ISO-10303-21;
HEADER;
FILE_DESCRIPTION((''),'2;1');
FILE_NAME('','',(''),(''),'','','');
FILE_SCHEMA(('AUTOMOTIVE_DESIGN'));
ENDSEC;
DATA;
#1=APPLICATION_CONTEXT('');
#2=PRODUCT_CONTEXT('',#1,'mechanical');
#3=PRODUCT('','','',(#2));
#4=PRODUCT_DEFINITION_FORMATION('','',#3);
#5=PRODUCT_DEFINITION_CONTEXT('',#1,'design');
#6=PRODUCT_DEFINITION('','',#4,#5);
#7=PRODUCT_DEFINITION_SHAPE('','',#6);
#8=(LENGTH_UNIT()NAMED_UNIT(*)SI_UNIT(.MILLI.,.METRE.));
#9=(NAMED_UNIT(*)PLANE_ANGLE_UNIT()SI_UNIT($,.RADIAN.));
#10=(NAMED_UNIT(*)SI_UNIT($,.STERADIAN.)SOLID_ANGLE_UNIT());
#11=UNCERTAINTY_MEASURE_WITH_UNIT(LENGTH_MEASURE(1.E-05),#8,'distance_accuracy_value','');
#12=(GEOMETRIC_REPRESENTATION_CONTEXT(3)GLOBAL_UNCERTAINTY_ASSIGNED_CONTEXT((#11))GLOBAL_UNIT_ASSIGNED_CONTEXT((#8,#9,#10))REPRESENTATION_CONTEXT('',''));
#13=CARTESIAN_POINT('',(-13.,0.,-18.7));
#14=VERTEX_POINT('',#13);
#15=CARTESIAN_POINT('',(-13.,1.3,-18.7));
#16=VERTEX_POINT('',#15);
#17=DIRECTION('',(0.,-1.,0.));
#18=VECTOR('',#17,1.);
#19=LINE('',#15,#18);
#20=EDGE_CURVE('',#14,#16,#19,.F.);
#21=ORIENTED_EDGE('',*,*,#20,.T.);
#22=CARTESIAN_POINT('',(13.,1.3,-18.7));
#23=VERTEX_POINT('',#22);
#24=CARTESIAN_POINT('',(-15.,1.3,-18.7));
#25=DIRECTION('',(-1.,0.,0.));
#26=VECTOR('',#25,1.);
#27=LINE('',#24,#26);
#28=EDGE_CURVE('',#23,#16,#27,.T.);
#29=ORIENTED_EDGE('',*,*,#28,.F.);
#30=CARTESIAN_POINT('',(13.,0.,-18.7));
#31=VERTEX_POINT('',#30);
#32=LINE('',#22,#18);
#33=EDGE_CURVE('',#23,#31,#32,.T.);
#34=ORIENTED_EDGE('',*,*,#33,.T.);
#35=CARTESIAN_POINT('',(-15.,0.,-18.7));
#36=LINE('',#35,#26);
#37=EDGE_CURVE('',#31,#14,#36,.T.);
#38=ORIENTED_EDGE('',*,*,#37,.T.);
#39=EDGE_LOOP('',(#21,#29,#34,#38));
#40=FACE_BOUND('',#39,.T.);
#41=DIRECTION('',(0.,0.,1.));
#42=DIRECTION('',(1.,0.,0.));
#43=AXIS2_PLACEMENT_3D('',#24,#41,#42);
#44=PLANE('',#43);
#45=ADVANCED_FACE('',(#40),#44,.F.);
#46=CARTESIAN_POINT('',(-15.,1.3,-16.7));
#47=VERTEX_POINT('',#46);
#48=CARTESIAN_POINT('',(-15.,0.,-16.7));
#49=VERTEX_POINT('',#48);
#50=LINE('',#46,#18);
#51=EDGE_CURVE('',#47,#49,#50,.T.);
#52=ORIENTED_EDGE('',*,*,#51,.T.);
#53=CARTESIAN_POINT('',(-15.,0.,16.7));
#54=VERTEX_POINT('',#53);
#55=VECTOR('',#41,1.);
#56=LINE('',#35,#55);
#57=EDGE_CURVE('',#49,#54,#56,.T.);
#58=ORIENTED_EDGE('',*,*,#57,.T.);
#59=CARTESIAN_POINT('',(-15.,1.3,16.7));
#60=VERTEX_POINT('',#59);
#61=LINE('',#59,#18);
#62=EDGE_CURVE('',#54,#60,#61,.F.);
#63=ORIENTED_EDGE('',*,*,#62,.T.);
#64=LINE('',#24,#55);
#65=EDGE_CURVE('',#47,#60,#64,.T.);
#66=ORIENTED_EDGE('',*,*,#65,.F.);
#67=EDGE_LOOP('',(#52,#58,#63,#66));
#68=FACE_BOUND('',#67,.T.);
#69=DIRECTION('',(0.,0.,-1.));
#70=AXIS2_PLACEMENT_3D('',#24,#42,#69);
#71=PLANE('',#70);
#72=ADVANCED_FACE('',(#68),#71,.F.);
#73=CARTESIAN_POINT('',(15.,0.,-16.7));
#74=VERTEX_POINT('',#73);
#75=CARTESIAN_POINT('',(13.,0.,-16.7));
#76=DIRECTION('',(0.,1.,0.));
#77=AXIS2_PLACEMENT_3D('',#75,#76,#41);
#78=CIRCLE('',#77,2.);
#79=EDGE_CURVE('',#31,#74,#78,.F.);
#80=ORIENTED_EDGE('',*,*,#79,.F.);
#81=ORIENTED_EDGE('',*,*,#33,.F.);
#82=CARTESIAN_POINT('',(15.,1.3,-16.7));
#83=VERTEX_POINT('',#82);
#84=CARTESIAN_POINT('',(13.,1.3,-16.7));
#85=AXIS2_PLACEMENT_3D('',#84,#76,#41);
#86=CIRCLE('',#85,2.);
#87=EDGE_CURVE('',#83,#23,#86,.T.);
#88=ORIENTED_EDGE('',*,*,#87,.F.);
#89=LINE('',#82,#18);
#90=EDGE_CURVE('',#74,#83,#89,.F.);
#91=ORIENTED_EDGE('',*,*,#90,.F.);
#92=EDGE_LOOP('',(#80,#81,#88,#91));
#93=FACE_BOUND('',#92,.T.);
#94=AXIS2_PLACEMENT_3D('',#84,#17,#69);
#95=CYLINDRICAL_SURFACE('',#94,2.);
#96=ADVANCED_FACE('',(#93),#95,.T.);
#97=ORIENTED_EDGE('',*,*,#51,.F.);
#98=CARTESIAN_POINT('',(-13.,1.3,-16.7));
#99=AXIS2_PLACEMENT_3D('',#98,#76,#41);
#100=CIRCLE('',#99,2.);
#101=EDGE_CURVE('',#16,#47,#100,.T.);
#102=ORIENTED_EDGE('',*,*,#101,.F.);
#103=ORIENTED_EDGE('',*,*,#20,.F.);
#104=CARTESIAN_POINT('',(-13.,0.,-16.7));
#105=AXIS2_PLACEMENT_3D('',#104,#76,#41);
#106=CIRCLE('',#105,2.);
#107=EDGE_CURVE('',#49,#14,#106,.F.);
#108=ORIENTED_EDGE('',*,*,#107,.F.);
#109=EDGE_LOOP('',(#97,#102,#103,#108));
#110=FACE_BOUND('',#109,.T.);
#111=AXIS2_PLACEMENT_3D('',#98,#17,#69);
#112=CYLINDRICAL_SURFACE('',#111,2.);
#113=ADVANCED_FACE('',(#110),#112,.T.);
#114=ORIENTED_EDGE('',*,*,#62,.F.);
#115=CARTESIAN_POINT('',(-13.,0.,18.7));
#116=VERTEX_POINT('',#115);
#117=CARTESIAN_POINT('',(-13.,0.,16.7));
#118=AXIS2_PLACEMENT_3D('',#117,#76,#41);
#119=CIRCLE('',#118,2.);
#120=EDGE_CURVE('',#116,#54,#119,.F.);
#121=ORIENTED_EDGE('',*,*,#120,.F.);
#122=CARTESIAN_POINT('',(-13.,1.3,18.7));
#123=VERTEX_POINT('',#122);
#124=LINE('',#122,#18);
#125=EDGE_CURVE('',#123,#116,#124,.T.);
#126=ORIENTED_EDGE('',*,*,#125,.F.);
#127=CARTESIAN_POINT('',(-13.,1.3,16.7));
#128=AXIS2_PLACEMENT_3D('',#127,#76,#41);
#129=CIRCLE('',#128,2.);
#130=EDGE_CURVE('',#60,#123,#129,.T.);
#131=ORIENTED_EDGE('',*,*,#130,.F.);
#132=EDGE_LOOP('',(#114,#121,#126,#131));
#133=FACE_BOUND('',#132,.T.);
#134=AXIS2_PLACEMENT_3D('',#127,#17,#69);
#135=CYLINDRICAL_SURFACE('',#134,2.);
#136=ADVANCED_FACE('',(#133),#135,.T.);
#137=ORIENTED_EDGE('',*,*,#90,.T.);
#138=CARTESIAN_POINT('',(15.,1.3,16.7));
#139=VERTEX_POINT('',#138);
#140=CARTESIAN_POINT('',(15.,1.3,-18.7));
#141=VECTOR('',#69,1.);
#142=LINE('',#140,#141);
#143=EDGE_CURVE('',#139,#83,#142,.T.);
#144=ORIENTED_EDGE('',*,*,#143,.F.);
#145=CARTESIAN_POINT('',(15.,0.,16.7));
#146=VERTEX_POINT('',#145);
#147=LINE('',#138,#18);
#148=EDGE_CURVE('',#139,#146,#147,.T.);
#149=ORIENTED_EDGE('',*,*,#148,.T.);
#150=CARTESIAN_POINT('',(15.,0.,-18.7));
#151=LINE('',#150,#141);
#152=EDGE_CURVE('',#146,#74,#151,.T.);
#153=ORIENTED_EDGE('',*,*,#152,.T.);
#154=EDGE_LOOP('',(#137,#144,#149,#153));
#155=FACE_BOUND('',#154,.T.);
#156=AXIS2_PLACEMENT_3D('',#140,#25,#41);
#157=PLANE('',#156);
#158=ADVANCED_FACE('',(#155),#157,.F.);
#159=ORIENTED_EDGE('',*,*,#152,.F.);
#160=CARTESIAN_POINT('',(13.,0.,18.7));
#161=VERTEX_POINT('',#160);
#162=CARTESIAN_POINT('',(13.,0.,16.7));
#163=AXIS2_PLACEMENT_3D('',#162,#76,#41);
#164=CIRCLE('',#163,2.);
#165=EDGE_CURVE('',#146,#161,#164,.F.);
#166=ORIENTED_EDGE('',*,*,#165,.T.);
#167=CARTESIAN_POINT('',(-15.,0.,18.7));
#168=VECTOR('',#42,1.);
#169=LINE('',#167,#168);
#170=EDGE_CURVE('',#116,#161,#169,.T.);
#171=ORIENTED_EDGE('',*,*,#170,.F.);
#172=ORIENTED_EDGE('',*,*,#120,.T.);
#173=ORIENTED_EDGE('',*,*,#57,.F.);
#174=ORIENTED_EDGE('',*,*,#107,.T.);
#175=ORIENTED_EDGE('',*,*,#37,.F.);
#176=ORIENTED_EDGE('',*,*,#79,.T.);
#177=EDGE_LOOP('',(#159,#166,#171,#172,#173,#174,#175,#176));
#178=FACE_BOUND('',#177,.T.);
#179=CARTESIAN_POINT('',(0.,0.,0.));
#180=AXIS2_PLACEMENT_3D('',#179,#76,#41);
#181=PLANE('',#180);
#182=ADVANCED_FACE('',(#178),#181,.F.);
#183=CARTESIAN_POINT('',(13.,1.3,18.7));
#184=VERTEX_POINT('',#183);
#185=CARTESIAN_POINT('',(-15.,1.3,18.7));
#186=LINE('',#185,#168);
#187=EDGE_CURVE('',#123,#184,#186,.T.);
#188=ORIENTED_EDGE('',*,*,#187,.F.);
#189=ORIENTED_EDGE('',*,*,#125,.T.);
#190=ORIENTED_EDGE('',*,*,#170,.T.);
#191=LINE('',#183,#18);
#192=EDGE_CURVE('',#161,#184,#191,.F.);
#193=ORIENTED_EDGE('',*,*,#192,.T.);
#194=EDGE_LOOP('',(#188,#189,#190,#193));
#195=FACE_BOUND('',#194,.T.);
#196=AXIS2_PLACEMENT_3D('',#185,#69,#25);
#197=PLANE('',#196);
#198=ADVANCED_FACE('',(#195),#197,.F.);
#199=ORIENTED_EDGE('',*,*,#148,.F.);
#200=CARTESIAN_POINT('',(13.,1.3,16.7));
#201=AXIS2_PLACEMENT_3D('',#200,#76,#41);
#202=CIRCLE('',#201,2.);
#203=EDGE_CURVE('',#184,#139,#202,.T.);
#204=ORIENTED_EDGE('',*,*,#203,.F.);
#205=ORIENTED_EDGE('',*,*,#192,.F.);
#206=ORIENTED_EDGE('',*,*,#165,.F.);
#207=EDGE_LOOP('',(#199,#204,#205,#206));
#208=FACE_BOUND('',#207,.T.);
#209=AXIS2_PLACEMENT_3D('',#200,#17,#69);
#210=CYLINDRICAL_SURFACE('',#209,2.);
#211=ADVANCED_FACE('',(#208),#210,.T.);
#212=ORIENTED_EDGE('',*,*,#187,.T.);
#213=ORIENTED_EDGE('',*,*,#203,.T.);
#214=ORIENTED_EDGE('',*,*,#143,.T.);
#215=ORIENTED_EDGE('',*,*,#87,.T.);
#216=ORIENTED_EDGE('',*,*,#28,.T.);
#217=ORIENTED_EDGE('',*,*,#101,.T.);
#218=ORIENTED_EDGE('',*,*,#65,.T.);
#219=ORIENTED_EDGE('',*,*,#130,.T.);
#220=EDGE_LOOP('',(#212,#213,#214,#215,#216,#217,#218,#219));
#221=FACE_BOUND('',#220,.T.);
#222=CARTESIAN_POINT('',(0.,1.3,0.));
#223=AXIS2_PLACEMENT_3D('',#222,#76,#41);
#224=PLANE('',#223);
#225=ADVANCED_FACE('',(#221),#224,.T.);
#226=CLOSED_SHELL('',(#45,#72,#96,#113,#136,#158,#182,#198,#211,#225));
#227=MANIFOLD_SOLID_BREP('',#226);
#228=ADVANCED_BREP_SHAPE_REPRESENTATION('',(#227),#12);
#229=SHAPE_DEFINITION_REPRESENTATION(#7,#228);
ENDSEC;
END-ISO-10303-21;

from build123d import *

# Parameters (mm, degrees)
SKETCH_1_W      = 30
SKETCH_1_H      = 37.4
EXTRUDE_1_DEPTH = 1.3
FILLET_1_R      = 2


with BuildPart() as part:
    # 草图1 → 凸台-拉伸1 (new body)
    with BuildSketch(Plane(origin=(0, 0, 0), x_dir=(1, 0, 0), z_dir=(0, 1, 0))):
        Rectangle(SKETCH_1_W, SKETCH_1_H)
    extrude(amount=EXTRUDE_1_DEPTH)

    # 圆角1
    fillet_1_edges = [part.edges().sort_by_distance(p)[0] for p in [
        (15, 0.65, 18.7),
        (-15, 0.65, 18.7),
        (-15, 0.65, -18.7),
        (15, 0.65, -18.7),
    ]]
    fillet(fillet_1_edges, radius=FILLET_1_R)


solid = part.part
